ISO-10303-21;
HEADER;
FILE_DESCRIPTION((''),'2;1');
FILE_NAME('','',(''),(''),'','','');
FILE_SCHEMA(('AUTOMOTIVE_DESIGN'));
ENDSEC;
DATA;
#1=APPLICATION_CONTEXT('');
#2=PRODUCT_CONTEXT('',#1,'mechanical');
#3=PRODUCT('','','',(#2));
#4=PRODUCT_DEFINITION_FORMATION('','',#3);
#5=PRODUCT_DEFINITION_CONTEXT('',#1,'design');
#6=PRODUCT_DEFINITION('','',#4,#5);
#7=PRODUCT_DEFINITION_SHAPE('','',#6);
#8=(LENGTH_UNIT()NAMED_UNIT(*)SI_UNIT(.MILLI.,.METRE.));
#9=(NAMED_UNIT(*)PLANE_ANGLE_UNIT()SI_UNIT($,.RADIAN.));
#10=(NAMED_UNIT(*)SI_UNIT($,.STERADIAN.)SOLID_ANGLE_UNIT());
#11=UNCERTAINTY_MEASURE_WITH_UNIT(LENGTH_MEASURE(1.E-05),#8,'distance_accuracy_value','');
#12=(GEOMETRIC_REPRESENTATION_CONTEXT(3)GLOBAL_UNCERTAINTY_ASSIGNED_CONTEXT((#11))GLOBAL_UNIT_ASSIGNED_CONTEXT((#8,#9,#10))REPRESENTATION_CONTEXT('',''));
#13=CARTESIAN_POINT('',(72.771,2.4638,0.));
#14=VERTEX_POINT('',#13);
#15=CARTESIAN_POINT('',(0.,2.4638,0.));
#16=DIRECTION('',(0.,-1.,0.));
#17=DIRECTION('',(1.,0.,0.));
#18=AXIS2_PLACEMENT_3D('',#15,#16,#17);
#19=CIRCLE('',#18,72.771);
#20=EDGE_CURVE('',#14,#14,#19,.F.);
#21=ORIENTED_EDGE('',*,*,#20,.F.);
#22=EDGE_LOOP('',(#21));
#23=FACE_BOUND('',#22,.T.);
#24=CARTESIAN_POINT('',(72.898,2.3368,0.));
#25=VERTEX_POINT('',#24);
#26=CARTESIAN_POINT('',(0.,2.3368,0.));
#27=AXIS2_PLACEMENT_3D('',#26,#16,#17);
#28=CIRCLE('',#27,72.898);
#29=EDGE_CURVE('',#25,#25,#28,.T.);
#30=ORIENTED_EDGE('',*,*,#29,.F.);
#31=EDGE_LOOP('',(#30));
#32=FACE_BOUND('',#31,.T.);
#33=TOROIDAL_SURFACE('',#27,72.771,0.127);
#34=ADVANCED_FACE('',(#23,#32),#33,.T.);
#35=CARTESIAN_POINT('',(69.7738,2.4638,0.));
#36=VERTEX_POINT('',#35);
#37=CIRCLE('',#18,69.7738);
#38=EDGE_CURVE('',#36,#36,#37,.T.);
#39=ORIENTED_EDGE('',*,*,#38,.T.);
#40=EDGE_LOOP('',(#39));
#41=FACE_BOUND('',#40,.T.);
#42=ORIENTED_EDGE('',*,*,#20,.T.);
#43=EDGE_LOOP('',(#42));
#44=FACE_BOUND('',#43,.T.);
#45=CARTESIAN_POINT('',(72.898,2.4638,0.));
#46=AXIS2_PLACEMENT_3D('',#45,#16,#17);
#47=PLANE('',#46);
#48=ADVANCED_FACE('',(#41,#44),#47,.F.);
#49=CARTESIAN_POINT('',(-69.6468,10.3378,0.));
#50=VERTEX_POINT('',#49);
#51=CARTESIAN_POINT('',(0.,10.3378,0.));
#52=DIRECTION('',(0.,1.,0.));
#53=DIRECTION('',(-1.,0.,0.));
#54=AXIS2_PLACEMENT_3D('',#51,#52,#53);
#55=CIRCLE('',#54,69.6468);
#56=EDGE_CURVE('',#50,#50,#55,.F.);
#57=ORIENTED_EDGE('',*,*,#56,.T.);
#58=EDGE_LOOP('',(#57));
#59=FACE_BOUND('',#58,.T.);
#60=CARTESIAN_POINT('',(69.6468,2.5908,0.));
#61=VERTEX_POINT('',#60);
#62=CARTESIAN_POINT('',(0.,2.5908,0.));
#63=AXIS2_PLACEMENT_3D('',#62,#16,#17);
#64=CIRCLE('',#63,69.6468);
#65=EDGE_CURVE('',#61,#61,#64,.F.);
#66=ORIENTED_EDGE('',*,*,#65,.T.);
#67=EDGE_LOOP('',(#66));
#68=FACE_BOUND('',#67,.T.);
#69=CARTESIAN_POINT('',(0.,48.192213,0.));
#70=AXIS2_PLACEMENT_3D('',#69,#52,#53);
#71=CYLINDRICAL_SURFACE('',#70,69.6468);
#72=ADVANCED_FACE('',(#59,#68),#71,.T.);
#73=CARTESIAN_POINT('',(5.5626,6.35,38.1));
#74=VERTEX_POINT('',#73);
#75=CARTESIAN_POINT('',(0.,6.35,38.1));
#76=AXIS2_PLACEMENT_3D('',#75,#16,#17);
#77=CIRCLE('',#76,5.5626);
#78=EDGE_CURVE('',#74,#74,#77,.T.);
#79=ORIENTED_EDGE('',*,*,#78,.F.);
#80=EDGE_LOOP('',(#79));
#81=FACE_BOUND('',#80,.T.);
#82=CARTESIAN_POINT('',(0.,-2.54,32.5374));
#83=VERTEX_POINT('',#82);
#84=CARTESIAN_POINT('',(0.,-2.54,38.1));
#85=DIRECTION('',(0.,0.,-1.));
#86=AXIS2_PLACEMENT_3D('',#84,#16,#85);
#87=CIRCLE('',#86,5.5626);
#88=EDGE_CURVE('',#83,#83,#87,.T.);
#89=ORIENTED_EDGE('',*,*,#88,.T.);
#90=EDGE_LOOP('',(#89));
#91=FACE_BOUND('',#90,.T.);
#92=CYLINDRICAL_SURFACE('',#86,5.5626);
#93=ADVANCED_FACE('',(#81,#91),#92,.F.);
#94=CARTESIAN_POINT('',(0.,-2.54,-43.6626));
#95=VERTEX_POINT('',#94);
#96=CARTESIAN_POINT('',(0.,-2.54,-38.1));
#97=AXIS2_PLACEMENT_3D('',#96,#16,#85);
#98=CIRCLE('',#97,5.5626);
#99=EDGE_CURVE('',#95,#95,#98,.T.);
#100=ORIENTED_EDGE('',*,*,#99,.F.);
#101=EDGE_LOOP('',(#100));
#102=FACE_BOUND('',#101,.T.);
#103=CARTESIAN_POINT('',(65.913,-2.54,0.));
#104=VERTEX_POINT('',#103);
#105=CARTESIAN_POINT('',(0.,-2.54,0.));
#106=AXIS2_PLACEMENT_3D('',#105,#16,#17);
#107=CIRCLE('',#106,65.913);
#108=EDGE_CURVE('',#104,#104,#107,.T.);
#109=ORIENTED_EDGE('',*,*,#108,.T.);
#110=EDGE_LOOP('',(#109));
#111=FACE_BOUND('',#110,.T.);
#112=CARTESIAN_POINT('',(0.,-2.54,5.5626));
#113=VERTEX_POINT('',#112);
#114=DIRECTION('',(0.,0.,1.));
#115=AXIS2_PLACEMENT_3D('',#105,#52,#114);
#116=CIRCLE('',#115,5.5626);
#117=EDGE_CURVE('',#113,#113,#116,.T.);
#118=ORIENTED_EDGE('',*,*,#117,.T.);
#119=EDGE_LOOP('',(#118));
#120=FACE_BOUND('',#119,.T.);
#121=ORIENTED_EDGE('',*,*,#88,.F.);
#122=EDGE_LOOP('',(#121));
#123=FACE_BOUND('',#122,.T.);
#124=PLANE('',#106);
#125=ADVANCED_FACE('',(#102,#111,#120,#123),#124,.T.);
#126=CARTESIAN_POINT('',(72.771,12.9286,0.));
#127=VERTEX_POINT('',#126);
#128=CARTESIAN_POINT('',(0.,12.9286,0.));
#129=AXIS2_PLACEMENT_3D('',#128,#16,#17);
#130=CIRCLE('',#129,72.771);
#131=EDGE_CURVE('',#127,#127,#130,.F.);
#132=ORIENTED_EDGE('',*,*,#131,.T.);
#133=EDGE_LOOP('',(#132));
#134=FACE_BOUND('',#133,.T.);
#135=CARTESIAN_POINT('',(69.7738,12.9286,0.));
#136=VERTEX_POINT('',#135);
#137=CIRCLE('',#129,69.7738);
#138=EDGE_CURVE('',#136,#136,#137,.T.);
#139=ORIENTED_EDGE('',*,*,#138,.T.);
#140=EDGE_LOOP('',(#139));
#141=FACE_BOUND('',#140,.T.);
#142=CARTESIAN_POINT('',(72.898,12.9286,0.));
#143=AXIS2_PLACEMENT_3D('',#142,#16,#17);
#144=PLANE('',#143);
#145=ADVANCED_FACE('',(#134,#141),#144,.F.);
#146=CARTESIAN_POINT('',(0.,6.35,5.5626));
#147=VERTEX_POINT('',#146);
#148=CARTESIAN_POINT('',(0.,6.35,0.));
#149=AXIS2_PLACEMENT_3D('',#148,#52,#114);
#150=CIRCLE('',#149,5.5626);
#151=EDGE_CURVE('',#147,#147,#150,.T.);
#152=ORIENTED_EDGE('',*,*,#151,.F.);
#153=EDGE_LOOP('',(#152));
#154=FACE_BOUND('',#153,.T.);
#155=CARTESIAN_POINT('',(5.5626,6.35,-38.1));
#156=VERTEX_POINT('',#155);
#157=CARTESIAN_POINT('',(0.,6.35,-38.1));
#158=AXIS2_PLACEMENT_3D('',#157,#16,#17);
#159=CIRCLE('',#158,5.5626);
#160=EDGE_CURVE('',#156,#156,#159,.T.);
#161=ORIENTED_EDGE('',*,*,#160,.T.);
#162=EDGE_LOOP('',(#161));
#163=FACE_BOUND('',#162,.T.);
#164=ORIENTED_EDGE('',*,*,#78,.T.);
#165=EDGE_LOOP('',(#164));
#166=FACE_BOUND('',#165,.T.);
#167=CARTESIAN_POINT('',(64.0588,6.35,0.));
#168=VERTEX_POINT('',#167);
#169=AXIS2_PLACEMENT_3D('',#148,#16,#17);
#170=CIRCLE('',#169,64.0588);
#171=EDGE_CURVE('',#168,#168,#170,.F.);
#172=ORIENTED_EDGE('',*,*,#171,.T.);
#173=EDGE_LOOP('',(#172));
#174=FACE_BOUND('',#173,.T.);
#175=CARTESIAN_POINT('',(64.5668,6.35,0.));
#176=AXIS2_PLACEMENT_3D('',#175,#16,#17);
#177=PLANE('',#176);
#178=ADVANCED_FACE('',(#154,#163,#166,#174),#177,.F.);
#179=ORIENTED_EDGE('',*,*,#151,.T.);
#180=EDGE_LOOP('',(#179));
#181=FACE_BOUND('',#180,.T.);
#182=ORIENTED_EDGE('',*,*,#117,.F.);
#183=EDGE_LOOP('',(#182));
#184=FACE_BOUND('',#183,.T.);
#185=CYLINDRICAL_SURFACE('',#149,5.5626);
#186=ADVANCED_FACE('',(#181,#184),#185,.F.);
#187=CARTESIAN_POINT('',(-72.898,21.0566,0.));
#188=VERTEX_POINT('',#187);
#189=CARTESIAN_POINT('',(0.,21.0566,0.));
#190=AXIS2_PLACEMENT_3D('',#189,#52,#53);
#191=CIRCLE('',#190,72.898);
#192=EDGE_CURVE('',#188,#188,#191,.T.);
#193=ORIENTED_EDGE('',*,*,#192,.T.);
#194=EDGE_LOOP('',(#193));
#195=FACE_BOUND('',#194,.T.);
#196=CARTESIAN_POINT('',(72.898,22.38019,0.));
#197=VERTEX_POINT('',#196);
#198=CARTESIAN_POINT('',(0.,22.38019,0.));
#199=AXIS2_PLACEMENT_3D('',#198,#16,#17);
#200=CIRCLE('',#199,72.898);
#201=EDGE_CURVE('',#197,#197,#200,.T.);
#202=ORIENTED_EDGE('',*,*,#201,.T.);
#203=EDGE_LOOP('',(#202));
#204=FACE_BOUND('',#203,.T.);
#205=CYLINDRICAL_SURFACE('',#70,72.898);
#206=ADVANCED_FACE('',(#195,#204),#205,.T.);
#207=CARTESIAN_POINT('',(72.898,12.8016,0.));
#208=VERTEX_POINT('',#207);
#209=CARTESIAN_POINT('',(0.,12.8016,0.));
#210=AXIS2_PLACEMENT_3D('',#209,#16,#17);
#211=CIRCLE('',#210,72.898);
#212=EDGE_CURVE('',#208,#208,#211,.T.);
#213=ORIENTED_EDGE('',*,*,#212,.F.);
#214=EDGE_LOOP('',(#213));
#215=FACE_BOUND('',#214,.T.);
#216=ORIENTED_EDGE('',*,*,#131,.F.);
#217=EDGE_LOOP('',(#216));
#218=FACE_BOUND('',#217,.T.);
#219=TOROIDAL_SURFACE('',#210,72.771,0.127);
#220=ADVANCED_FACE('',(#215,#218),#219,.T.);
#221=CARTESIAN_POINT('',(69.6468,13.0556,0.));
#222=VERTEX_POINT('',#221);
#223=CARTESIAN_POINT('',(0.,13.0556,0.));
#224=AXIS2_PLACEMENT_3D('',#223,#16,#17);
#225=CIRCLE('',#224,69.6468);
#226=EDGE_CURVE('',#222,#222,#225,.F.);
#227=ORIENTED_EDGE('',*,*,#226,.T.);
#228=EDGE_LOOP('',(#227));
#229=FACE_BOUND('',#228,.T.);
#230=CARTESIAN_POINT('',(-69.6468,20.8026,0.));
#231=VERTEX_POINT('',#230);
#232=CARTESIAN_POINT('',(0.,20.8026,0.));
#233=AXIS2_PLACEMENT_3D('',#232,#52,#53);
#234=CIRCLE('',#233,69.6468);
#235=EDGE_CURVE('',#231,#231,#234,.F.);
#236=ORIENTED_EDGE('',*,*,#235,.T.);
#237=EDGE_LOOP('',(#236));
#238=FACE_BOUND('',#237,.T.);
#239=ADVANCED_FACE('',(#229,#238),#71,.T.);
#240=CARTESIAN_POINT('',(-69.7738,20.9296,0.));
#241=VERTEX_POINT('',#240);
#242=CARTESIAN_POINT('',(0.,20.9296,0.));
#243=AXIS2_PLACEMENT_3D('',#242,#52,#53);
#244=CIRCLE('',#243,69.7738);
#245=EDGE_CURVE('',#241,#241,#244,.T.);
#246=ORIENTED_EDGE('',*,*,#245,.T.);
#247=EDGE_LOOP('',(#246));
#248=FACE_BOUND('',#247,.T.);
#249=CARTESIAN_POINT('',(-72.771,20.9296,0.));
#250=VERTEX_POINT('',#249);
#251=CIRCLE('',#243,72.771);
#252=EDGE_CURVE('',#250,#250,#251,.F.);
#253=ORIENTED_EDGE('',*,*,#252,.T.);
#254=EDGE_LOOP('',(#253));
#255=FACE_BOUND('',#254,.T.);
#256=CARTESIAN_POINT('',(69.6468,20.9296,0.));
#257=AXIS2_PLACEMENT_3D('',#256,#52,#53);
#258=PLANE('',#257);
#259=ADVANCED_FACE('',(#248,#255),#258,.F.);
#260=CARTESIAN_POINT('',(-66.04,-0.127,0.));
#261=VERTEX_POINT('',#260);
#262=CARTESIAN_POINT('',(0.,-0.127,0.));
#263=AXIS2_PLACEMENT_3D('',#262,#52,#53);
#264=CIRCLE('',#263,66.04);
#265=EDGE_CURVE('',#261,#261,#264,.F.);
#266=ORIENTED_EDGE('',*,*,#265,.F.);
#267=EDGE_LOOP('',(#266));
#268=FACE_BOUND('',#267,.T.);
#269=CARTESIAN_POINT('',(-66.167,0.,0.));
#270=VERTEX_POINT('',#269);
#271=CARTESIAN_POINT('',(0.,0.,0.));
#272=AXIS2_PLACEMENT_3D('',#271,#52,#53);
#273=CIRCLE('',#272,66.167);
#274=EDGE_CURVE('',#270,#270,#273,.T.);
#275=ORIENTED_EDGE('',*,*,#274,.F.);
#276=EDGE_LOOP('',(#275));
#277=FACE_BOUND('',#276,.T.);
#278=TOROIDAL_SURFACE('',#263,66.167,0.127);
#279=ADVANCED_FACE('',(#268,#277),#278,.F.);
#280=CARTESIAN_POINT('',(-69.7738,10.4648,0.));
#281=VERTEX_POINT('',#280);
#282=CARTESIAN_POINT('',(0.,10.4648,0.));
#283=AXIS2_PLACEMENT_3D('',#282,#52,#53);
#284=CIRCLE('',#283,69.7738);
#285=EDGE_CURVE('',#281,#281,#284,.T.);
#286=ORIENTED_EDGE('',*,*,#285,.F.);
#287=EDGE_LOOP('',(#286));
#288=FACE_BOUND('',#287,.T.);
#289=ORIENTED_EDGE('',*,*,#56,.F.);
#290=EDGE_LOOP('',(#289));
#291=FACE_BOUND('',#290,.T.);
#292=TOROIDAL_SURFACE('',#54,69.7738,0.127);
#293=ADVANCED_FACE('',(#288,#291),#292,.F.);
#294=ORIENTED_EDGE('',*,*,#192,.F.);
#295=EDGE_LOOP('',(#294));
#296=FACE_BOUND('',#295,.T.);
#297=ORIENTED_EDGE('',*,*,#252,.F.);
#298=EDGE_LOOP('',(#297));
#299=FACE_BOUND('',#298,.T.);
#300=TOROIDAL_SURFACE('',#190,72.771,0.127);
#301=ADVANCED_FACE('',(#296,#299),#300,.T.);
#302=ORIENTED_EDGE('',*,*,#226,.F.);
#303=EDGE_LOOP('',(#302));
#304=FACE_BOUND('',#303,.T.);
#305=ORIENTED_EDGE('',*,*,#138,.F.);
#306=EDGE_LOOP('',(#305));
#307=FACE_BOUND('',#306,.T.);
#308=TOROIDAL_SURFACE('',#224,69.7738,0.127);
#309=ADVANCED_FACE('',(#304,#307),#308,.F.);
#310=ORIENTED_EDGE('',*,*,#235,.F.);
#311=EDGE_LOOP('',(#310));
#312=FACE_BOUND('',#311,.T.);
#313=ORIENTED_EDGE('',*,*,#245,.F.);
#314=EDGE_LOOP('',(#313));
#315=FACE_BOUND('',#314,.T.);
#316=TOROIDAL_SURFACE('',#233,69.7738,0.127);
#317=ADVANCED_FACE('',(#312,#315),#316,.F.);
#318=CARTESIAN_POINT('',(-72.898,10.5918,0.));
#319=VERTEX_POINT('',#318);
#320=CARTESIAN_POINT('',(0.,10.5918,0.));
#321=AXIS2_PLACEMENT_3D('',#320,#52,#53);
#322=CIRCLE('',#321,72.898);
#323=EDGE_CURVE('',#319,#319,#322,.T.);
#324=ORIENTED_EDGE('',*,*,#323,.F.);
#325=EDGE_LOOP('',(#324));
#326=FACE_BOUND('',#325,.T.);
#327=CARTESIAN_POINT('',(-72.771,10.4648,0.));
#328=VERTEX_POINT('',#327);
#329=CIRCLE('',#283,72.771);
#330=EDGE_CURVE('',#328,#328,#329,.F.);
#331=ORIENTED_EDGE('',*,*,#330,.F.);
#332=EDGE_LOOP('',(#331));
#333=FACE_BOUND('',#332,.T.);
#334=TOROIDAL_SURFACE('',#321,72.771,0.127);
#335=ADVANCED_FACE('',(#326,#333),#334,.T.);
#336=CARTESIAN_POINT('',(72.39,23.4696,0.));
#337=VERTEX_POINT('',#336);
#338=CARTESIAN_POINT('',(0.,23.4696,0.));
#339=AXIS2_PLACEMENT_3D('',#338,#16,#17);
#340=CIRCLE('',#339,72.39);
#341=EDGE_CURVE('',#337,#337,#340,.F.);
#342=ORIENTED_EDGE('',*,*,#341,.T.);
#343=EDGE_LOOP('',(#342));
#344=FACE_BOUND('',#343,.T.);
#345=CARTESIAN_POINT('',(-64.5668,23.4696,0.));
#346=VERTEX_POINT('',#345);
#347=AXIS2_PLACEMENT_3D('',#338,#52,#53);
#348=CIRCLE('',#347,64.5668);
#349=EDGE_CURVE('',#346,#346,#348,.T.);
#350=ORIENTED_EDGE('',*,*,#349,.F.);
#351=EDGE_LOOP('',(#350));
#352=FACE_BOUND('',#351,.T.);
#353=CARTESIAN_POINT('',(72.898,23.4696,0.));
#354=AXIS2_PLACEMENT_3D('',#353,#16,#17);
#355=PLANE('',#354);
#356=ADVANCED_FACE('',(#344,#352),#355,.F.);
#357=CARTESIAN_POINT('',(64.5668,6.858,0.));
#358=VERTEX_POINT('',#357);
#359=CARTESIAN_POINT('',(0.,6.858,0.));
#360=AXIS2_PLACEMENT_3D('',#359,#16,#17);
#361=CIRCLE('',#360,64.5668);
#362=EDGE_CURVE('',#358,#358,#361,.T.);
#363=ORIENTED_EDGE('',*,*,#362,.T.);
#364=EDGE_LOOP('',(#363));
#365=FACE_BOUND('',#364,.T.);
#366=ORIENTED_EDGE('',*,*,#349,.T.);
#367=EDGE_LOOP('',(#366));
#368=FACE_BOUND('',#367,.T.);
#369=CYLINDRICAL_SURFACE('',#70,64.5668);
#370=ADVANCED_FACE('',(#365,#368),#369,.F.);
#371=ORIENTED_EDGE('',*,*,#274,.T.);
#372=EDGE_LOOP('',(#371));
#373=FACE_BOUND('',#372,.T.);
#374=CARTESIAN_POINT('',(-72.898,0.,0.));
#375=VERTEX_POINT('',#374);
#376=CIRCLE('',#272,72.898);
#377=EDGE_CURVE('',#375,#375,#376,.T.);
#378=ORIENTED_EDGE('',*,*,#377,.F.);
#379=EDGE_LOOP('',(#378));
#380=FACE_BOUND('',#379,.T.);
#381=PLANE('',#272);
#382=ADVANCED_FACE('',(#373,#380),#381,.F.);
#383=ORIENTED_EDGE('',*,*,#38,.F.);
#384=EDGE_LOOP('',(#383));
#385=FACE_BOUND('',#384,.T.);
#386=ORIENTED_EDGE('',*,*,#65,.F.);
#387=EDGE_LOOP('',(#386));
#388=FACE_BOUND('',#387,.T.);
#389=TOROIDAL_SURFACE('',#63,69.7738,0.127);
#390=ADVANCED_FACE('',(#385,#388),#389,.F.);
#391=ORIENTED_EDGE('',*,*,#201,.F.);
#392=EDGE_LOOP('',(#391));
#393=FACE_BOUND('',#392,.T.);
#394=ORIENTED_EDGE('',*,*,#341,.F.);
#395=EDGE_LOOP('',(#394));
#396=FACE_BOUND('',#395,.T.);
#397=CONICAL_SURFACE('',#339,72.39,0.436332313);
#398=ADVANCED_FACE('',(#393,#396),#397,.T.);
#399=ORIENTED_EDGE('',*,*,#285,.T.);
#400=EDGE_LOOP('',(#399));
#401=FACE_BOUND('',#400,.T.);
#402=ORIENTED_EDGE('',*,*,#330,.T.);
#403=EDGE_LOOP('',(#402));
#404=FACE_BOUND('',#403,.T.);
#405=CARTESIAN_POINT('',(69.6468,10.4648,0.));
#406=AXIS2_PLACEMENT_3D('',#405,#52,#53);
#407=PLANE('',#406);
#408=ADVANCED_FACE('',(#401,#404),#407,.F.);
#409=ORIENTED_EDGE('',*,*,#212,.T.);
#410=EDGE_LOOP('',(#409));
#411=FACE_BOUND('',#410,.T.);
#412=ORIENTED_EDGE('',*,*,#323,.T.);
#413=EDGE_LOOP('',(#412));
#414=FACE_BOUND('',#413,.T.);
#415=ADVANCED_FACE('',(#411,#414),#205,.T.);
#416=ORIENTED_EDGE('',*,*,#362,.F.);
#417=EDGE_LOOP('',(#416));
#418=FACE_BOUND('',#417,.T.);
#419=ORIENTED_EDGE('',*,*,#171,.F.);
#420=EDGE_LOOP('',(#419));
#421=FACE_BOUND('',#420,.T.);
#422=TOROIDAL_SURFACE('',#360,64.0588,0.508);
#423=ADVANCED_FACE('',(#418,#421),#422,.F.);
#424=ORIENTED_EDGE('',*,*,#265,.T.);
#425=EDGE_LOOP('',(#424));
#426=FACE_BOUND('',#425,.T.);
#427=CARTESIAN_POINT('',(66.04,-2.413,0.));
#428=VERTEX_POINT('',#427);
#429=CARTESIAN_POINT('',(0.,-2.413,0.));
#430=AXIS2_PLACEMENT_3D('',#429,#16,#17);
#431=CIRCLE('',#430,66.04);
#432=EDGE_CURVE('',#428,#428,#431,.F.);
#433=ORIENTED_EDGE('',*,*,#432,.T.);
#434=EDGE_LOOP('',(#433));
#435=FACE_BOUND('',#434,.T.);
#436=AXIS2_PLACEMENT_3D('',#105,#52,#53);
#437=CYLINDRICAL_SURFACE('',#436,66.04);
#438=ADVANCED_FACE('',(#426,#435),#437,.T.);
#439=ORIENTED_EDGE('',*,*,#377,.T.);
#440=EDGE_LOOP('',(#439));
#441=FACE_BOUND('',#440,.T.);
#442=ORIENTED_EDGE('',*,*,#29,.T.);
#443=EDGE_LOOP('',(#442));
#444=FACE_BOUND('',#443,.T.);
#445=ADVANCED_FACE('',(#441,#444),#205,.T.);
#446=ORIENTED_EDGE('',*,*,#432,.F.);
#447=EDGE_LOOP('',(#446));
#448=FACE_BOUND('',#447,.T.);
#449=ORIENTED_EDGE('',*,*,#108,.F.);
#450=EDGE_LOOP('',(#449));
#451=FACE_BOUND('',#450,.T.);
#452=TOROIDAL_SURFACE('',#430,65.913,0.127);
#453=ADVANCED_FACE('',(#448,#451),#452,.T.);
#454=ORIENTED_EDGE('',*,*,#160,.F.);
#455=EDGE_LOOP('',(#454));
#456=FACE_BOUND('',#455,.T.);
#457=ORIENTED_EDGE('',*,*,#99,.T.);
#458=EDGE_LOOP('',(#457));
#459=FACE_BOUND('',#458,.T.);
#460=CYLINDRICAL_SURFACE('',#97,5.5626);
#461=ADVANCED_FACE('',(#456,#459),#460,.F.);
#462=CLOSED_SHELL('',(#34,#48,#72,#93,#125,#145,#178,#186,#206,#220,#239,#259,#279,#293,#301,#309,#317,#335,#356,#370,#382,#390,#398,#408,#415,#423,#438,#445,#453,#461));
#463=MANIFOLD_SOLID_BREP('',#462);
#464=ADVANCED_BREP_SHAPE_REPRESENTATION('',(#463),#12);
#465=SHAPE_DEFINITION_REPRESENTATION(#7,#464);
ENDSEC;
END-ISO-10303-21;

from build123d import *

# Parameters (mm, degrees)
SKETCH6_R                                = 66.04
BOSS_EXTRUDE1_DEPTH                      = 2.54
PIPE_TAP_DRILL_FOR_1_4_TAP_GN2_D         = 11.1252
CNC_ID_FILLET_R                          = 0.127
CNC_OD_FILLET_R                          = 0.127
CNC_CHAMFERS_SIZE                        = 0.508
CNC_CHAMFERS_SIZE2                       = 1.089409516
CNC_BORE_FILLET_R                        = 0.508
PIPE_TAP_DRILL_FOR_1_4_TAP_RELIEF_VALV_D = 11.1252
PIPE_TAP_DRILL_FOR_1_4_TAP_VENT_VALVE_D  = 11.1252


with BuildPart() as part:
    # Sketch1 → Revolve1 (revolve)
    with BuildSketch(Plane.XY, mode=Mode.PRIVATE) as revolve1_sk:
        Polygon((0, 0), (72.898, 0), (72.898, 2.4638), (69.6468, 2.4638), (69.6468, 10.4648), (72.898, 10.4648), (72.898, 12.9286), (69.6468, 12.9286), (69.6468, 20.9296), (72.898, 20.9296), (72.898, 23.4696), (64.5668, 23.4696), (64.5668, 6.35), (0, 6.35), align=None)
    revolve(revolve1_sk.sketch.rotate(Axis((0, 48.192213231, 0), (0, -1, 0)), 180), axis=Axis((0, 48.192213231, 0), (0, -1, 0)))

    # Sketch6 → Boss-Extrude1 (add)
    with BuildSketch(Plane.XZ):
        Circle(SKETCH6_R)
    extrude(amount=BOSS_EXTRUDE1_DEPTH)

    # Pipe Tap Drill for 1/4 Tap - GN2 (through all)
    with Locations(Plane(origin=(0, 6.35, 0), x_dir=(1, 0, 0), z_dir=(0, 1, 0))):
        with Locations((0, 0)):
            Hole(PIPE_TAP_DRILL_FOR_1_4_TAP_GN2_D / 2)

    # CNC ID Fillet
    cnc_id_fillet_edges = [part.edges().sort_by_distance(p)[0] for p in [
        (69.6468, 20.9296, 0),
        (69.6468, 12.9286, 0),
        (69.6468, 10.4648, 0),
        (69.6468, 2.4638, 0),
        (-66.04, 0, 0),
    ]]
    fillet(cnc_id_fillet_edges, radius=CNC_ID_FILLET_R)

    # CNC OD Fillet
    cnc_od_fillet_edges = [part.edges().sort_by_distance(p)[0] for p in [
        (72.898, 20.9296, 0),
        (72.898, 12.9286, 0),
        (72.898, 10.4648, 0),
        (72.898, 2.4638, 0),
        (-66.04, -2.54, 0),
    ]]
    fillet(cnc_od_fillet_edges, radius=CNC_OD_FILLET_R)

    # CNC Chamfers
    cnc_chamfers_edges = [part.edges().sort_by_distance(p)[0] for p in [
        (72.898, 23.4696, 0),
    ]]
    cnc_chamfers_side = [part.faces().sort_by_distance(p)[0] for p in [
        (70.836133195, 23.4696, 0),
    ]]
    chamfer(cnc_chamfers_edges, length=CNC_CHAMFERS_SIZE, length2=CNC_CHAMFERS_SIZE2, reference=cnc_chamfers_side[0])

    # CNC Bore Fillet
    cnc_bore_fillet_edges = [part.edges().sort_by_distance(p)[0] for p in [
        (64.5668, 6.35, 0),
    ]]
    fillet(cnc_bore_fillet_edges, radius=CNC_BORE_FILLET_R)

    # Pipe Tap Drill for 1/4 Tap - Relief Valve (through all)
    with Locations(Plane(origin=(0, -2.54, 0), x_dir=(-1, 0, 0), z_dir=(0, -1, 0))):
        with Locations((0, 38.1)):
            Hole(PIPE_TAP_DRILL_FOR_1_4_TAP_RELIEF_VALV_D / 2)

    # Pipe Tap Drill for 1/4 Tap - Vent Valve (through all)
    with Locations(Plane(origin=(0, -2.54, 0), x_dir=(-1, 0, 0), z_dir=(0, -1, 0))):
        with Locations((0, -38.1)):
            Hole(PIPE_TAP_DRILL_FOR_1_4_TAP_VENT_VALVE_D / 2)


solid = part.part
